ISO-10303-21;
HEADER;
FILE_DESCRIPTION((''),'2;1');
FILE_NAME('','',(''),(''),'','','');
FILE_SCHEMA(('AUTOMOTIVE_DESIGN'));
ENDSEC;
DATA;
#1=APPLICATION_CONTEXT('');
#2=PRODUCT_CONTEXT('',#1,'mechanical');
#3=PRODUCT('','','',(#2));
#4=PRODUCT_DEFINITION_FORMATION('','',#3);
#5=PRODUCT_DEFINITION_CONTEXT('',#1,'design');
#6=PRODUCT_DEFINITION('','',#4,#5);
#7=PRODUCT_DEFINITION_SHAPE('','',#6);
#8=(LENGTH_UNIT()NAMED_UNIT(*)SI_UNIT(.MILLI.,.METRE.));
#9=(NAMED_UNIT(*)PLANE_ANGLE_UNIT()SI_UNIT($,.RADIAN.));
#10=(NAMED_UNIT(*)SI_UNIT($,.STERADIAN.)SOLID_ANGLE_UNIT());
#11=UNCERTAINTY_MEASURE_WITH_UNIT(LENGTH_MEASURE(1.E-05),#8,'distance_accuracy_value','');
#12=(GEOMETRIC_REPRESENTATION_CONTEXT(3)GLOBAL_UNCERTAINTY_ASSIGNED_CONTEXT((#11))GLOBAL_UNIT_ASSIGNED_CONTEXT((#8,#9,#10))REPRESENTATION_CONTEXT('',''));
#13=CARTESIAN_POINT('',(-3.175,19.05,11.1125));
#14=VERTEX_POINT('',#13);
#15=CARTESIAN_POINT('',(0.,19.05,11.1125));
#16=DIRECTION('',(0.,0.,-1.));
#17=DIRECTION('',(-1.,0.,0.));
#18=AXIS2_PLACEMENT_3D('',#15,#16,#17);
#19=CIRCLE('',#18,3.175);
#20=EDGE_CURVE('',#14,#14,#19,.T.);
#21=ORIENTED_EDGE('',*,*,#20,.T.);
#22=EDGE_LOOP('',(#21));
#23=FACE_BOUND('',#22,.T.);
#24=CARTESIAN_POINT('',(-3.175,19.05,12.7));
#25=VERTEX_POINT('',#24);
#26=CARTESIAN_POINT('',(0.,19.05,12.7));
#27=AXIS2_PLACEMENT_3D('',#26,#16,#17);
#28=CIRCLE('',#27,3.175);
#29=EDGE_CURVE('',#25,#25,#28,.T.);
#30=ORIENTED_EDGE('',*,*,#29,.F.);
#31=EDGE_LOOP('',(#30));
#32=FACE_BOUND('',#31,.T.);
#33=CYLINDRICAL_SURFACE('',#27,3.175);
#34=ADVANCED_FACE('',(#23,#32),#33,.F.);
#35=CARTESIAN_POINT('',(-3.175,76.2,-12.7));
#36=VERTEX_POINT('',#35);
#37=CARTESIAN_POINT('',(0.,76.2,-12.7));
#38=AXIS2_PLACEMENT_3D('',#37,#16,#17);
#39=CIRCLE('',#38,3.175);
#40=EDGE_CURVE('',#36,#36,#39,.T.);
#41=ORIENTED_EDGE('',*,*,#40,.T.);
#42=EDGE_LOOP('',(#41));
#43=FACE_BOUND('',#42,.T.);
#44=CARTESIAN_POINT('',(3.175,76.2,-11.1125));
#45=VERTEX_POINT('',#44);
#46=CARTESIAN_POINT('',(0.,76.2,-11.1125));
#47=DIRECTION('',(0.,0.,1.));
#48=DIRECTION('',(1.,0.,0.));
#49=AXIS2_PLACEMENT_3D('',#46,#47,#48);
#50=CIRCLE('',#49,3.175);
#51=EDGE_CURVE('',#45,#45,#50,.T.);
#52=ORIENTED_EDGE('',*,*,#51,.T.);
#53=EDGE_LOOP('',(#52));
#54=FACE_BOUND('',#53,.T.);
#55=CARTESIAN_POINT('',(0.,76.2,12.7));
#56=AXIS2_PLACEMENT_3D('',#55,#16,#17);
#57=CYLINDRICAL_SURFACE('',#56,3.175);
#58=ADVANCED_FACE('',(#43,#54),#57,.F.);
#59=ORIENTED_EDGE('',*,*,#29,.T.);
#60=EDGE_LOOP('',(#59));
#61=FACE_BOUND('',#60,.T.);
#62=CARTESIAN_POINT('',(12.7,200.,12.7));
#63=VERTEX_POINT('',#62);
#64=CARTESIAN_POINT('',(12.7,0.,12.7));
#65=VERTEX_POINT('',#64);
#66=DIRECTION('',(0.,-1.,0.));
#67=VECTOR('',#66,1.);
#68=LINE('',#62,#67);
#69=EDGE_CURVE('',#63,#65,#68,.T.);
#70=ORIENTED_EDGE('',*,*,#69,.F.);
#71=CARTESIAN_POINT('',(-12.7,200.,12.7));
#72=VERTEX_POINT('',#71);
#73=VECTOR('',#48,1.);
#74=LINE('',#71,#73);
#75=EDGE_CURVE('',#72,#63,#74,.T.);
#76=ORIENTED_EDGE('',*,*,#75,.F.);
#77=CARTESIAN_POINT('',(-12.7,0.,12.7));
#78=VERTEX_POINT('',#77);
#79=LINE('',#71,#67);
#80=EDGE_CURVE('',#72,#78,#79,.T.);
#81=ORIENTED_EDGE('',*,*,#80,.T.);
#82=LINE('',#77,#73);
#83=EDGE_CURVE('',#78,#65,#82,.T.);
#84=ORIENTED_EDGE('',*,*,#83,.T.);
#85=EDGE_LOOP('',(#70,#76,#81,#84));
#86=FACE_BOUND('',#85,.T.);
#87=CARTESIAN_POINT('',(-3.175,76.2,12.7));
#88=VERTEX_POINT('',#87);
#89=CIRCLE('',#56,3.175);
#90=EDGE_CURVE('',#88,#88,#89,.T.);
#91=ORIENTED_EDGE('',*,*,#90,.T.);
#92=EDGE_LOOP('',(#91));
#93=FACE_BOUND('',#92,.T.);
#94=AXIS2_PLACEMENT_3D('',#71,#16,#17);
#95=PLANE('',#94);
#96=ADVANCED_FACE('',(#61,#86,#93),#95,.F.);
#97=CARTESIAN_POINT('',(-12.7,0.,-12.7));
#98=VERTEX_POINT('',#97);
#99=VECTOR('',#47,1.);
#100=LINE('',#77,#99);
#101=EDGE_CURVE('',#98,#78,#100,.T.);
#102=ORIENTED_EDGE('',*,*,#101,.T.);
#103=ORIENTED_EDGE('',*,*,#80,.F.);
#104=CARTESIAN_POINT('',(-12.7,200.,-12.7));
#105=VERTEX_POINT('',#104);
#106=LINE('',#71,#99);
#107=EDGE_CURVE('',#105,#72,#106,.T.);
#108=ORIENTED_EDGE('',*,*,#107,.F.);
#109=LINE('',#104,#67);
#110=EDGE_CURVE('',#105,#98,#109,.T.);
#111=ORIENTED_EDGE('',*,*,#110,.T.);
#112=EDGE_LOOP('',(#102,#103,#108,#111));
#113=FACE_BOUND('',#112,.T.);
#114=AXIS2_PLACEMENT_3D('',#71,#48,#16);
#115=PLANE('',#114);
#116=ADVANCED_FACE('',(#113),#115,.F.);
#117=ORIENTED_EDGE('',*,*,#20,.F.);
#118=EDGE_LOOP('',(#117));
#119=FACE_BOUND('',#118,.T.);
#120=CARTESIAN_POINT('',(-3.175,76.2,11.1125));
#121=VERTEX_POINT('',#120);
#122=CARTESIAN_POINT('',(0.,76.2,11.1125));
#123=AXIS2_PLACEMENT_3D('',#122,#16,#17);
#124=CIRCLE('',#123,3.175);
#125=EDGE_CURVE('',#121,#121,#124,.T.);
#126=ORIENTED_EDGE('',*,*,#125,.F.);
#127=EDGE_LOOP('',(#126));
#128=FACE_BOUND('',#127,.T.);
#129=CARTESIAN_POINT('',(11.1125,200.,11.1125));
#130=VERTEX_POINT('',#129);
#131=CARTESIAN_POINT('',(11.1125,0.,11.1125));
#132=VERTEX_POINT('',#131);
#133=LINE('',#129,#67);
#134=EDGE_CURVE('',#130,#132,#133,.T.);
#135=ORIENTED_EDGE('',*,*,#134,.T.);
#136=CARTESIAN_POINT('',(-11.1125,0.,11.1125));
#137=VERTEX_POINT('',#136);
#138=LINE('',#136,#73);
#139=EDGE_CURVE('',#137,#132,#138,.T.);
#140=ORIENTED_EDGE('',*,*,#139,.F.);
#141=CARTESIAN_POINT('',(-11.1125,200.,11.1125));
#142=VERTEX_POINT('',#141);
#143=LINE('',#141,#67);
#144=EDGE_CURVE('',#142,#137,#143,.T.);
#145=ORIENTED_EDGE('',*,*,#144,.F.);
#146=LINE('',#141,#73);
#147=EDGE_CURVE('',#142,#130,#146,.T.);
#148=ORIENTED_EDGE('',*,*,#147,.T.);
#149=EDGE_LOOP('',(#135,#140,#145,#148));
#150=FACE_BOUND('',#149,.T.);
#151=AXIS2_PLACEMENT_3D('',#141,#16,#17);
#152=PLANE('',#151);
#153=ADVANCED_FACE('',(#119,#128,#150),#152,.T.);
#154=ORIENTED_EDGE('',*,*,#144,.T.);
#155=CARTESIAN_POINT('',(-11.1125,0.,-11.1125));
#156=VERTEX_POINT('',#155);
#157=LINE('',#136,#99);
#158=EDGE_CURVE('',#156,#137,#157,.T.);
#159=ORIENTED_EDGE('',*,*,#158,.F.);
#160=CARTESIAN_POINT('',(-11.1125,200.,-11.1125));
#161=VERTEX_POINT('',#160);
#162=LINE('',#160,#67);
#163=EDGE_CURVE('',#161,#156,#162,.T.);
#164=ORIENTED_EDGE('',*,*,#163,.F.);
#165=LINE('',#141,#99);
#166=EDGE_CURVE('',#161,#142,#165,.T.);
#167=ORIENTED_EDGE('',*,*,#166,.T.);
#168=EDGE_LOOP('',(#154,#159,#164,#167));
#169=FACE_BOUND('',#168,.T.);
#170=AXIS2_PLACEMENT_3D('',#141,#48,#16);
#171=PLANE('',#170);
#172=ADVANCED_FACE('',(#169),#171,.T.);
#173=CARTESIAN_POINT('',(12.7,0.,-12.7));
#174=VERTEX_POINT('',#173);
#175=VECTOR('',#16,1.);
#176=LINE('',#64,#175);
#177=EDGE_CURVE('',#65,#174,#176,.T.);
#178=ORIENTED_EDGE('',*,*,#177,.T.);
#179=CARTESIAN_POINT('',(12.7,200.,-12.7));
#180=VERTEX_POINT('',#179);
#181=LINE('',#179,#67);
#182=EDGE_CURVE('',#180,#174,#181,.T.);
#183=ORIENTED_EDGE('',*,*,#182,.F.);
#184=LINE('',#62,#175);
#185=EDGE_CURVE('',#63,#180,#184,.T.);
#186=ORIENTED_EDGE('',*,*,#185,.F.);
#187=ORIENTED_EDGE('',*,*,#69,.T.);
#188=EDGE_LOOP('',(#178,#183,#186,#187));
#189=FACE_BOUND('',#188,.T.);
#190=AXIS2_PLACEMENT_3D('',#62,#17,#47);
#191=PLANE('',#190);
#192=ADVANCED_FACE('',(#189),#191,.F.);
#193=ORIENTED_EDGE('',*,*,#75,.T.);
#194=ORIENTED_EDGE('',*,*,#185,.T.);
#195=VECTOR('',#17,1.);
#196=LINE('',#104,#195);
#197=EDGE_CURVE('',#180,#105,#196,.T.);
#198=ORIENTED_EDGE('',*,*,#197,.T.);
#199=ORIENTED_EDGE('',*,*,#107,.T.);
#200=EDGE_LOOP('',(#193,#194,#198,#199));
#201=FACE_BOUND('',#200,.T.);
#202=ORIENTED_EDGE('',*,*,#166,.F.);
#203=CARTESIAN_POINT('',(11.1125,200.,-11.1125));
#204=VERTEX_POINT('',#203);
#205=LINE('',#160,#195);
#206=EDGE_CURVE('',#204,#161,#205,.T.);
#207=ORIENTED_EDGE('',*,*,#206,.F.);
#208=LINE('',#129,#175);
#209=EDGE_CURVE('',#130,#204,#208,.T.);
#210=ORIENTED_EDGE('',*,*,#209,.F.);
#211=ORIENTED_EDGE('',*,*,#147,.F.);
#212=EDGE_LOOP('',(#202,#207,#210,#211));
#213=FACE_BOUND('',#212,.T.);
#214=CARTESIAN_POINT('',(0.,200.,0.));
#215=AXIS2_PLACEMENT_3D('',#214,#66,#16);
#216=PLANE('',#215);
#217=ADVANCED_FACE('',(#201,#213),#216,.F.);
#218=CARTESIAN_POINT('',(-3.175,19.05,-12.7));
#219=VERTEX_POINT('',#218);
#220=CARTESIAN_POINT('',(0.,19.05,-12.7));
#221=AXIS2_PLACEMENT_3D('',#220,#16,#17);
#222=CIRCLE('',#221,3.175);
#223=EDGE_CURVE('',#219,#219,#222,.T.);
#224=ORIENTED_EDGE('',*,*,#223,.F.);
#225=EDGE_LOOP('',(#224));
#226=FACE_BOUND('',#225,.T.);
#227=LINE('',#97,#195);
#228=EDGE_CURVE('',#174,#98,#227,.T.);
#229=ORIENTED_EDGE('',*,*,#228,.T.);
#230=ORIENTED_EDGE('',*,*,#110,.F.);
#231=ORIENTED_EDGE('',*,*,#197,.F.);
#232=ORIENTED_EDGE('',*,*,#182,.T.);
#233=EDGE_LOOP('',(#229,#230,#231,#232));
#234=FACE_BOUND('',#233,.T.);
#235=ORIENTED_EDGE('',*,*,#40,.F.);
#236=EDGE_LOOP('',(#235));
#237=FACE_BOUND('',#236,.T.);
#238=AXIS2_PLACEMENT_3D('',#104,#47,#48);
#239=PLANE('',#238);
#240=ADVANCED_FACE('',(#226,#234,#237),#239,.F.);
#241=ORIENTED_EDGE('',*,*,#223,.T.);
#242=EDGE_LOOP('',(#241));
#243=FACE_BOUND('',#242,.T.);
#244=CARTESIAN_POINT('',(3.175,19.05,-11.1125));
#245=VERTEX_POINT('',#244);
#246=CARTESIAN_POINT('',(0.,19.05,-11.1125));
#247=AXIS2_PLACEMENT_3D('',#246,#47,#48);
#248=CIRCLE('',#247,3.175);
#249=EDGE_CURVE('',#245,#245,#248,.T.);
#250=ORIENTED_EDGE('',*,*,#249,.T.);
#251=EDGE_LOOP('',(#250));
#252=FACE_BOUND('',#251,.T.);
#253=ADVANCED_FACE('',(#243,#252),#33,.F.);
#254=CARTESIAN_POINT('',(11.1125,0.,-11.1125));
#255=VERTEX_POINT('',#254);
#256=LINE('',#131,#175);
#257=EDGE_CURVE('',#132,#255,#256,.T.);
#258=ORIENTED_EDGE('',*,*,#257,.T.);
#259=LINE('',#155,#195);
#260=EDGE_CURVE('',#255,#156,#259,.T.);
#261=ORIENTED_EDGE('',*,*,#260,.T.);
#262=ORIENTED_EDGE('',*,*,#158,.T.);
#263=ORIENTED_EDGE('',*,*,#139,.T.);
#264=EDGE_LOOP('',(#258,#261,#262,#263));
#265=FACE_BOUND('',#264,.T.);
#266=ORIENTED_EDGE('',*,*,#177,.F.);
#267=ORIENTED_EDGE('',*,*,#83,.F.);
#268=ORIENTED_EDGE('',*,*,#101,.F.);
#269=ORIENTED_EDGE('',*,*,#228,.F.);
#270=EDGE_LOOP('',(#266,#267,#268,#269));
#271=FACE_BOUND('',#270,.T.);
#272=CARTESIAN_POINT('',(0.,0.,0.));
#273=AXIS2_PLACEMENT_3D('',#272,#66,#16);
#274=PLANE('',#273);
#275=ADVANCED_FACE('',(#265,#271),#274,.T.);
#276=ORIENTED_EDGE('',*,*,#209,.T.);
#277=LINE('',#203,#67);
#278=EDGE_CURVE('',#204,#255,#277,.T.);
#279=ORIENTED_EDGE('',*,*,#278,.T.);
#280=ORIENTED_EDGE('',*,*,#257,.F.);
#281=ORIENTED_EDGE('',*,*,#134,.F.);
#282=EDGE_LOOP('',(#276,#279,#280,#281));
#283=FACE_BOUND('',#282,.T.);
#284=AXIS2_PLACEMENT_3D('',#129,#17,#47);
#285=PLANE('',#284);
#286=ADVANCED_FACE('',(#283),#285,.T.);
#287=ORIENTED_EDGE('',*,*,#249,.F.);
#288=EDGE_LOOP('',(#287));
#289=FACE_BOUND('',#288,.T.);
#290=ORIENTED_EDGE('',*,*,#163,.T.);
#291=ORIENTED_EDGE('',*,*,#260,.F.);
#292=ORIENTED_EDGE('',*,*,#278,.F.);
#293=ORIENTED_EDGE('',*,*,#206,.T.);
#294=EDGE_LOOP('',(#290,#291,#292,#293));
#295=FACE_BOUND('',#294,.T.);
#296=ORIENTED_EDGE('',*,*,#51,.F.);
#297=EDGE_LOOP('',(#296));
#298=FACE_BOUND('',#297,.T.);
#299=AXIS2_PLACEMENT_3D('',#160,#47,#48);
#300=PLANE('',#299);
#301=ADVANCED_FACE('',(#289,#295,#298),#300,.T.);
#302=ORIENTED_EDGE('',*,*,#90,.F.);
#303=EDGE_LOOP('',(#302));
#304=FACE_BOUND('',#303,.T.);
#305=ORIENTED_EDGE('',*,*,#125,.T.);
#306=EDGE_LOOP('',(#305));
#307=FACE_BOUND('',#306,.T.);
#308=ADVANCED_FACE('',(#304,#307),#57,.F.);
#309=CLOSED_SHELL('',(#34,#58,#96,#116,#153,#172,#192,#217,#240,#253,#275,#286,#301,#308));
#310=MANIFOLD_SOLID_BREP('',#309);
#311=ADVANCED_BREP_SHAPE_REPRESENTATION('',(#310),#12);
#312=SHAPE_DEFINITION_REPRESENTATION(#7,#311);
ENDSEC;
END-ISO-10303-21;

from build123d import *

# Parameters (mm, degrees)
SKETCH1_W           = 25.4
SKETCH1_H           = 25.4
SKETCH1_W_2         = 22.225
SKETCH1_H_2         = 22.225
BOSS_EXTRUDE1_DEPTH = 200
SKETCH2_R           = 3.175
CUT_EXTRUDE1_DEPTH  = 203.006064265


with BuildPart() as part:
    # Sketch1 → Boss-Extrude1 (new body)
    with BuildSketch(Plane(origin=(0, 0, 0), x_dir=(1, 0, 0), z_dir=(0, 1, 0))):
        Rectangle(SKETCH1_W, SKETCH1_H)
        Rectangle(SKETCH1_W_2, SKETCH1_H_2, mode=Mode.SUBTRACT)
    extrude(amount=BOSS_EXTRUDE1_DEPTH)

    # Sketch2 → Cut-Extrude1 (cut, through all)
    with BuildSketch(Plane(origin=(0, 0, -12.7), x_dir=(-1, 0, 0), z_dir=(0, 0, -1))):
        with Locations((0, 76.2)):
            Circle(SKETCH2_R)
        with Locations((0, 19.05)):
            Circle(SKETCH2_R)
    extrude(amount=-CUT_EXTRUDE1_DEPTH, mode=Mode.SUBTRACT)


solid = part.part
